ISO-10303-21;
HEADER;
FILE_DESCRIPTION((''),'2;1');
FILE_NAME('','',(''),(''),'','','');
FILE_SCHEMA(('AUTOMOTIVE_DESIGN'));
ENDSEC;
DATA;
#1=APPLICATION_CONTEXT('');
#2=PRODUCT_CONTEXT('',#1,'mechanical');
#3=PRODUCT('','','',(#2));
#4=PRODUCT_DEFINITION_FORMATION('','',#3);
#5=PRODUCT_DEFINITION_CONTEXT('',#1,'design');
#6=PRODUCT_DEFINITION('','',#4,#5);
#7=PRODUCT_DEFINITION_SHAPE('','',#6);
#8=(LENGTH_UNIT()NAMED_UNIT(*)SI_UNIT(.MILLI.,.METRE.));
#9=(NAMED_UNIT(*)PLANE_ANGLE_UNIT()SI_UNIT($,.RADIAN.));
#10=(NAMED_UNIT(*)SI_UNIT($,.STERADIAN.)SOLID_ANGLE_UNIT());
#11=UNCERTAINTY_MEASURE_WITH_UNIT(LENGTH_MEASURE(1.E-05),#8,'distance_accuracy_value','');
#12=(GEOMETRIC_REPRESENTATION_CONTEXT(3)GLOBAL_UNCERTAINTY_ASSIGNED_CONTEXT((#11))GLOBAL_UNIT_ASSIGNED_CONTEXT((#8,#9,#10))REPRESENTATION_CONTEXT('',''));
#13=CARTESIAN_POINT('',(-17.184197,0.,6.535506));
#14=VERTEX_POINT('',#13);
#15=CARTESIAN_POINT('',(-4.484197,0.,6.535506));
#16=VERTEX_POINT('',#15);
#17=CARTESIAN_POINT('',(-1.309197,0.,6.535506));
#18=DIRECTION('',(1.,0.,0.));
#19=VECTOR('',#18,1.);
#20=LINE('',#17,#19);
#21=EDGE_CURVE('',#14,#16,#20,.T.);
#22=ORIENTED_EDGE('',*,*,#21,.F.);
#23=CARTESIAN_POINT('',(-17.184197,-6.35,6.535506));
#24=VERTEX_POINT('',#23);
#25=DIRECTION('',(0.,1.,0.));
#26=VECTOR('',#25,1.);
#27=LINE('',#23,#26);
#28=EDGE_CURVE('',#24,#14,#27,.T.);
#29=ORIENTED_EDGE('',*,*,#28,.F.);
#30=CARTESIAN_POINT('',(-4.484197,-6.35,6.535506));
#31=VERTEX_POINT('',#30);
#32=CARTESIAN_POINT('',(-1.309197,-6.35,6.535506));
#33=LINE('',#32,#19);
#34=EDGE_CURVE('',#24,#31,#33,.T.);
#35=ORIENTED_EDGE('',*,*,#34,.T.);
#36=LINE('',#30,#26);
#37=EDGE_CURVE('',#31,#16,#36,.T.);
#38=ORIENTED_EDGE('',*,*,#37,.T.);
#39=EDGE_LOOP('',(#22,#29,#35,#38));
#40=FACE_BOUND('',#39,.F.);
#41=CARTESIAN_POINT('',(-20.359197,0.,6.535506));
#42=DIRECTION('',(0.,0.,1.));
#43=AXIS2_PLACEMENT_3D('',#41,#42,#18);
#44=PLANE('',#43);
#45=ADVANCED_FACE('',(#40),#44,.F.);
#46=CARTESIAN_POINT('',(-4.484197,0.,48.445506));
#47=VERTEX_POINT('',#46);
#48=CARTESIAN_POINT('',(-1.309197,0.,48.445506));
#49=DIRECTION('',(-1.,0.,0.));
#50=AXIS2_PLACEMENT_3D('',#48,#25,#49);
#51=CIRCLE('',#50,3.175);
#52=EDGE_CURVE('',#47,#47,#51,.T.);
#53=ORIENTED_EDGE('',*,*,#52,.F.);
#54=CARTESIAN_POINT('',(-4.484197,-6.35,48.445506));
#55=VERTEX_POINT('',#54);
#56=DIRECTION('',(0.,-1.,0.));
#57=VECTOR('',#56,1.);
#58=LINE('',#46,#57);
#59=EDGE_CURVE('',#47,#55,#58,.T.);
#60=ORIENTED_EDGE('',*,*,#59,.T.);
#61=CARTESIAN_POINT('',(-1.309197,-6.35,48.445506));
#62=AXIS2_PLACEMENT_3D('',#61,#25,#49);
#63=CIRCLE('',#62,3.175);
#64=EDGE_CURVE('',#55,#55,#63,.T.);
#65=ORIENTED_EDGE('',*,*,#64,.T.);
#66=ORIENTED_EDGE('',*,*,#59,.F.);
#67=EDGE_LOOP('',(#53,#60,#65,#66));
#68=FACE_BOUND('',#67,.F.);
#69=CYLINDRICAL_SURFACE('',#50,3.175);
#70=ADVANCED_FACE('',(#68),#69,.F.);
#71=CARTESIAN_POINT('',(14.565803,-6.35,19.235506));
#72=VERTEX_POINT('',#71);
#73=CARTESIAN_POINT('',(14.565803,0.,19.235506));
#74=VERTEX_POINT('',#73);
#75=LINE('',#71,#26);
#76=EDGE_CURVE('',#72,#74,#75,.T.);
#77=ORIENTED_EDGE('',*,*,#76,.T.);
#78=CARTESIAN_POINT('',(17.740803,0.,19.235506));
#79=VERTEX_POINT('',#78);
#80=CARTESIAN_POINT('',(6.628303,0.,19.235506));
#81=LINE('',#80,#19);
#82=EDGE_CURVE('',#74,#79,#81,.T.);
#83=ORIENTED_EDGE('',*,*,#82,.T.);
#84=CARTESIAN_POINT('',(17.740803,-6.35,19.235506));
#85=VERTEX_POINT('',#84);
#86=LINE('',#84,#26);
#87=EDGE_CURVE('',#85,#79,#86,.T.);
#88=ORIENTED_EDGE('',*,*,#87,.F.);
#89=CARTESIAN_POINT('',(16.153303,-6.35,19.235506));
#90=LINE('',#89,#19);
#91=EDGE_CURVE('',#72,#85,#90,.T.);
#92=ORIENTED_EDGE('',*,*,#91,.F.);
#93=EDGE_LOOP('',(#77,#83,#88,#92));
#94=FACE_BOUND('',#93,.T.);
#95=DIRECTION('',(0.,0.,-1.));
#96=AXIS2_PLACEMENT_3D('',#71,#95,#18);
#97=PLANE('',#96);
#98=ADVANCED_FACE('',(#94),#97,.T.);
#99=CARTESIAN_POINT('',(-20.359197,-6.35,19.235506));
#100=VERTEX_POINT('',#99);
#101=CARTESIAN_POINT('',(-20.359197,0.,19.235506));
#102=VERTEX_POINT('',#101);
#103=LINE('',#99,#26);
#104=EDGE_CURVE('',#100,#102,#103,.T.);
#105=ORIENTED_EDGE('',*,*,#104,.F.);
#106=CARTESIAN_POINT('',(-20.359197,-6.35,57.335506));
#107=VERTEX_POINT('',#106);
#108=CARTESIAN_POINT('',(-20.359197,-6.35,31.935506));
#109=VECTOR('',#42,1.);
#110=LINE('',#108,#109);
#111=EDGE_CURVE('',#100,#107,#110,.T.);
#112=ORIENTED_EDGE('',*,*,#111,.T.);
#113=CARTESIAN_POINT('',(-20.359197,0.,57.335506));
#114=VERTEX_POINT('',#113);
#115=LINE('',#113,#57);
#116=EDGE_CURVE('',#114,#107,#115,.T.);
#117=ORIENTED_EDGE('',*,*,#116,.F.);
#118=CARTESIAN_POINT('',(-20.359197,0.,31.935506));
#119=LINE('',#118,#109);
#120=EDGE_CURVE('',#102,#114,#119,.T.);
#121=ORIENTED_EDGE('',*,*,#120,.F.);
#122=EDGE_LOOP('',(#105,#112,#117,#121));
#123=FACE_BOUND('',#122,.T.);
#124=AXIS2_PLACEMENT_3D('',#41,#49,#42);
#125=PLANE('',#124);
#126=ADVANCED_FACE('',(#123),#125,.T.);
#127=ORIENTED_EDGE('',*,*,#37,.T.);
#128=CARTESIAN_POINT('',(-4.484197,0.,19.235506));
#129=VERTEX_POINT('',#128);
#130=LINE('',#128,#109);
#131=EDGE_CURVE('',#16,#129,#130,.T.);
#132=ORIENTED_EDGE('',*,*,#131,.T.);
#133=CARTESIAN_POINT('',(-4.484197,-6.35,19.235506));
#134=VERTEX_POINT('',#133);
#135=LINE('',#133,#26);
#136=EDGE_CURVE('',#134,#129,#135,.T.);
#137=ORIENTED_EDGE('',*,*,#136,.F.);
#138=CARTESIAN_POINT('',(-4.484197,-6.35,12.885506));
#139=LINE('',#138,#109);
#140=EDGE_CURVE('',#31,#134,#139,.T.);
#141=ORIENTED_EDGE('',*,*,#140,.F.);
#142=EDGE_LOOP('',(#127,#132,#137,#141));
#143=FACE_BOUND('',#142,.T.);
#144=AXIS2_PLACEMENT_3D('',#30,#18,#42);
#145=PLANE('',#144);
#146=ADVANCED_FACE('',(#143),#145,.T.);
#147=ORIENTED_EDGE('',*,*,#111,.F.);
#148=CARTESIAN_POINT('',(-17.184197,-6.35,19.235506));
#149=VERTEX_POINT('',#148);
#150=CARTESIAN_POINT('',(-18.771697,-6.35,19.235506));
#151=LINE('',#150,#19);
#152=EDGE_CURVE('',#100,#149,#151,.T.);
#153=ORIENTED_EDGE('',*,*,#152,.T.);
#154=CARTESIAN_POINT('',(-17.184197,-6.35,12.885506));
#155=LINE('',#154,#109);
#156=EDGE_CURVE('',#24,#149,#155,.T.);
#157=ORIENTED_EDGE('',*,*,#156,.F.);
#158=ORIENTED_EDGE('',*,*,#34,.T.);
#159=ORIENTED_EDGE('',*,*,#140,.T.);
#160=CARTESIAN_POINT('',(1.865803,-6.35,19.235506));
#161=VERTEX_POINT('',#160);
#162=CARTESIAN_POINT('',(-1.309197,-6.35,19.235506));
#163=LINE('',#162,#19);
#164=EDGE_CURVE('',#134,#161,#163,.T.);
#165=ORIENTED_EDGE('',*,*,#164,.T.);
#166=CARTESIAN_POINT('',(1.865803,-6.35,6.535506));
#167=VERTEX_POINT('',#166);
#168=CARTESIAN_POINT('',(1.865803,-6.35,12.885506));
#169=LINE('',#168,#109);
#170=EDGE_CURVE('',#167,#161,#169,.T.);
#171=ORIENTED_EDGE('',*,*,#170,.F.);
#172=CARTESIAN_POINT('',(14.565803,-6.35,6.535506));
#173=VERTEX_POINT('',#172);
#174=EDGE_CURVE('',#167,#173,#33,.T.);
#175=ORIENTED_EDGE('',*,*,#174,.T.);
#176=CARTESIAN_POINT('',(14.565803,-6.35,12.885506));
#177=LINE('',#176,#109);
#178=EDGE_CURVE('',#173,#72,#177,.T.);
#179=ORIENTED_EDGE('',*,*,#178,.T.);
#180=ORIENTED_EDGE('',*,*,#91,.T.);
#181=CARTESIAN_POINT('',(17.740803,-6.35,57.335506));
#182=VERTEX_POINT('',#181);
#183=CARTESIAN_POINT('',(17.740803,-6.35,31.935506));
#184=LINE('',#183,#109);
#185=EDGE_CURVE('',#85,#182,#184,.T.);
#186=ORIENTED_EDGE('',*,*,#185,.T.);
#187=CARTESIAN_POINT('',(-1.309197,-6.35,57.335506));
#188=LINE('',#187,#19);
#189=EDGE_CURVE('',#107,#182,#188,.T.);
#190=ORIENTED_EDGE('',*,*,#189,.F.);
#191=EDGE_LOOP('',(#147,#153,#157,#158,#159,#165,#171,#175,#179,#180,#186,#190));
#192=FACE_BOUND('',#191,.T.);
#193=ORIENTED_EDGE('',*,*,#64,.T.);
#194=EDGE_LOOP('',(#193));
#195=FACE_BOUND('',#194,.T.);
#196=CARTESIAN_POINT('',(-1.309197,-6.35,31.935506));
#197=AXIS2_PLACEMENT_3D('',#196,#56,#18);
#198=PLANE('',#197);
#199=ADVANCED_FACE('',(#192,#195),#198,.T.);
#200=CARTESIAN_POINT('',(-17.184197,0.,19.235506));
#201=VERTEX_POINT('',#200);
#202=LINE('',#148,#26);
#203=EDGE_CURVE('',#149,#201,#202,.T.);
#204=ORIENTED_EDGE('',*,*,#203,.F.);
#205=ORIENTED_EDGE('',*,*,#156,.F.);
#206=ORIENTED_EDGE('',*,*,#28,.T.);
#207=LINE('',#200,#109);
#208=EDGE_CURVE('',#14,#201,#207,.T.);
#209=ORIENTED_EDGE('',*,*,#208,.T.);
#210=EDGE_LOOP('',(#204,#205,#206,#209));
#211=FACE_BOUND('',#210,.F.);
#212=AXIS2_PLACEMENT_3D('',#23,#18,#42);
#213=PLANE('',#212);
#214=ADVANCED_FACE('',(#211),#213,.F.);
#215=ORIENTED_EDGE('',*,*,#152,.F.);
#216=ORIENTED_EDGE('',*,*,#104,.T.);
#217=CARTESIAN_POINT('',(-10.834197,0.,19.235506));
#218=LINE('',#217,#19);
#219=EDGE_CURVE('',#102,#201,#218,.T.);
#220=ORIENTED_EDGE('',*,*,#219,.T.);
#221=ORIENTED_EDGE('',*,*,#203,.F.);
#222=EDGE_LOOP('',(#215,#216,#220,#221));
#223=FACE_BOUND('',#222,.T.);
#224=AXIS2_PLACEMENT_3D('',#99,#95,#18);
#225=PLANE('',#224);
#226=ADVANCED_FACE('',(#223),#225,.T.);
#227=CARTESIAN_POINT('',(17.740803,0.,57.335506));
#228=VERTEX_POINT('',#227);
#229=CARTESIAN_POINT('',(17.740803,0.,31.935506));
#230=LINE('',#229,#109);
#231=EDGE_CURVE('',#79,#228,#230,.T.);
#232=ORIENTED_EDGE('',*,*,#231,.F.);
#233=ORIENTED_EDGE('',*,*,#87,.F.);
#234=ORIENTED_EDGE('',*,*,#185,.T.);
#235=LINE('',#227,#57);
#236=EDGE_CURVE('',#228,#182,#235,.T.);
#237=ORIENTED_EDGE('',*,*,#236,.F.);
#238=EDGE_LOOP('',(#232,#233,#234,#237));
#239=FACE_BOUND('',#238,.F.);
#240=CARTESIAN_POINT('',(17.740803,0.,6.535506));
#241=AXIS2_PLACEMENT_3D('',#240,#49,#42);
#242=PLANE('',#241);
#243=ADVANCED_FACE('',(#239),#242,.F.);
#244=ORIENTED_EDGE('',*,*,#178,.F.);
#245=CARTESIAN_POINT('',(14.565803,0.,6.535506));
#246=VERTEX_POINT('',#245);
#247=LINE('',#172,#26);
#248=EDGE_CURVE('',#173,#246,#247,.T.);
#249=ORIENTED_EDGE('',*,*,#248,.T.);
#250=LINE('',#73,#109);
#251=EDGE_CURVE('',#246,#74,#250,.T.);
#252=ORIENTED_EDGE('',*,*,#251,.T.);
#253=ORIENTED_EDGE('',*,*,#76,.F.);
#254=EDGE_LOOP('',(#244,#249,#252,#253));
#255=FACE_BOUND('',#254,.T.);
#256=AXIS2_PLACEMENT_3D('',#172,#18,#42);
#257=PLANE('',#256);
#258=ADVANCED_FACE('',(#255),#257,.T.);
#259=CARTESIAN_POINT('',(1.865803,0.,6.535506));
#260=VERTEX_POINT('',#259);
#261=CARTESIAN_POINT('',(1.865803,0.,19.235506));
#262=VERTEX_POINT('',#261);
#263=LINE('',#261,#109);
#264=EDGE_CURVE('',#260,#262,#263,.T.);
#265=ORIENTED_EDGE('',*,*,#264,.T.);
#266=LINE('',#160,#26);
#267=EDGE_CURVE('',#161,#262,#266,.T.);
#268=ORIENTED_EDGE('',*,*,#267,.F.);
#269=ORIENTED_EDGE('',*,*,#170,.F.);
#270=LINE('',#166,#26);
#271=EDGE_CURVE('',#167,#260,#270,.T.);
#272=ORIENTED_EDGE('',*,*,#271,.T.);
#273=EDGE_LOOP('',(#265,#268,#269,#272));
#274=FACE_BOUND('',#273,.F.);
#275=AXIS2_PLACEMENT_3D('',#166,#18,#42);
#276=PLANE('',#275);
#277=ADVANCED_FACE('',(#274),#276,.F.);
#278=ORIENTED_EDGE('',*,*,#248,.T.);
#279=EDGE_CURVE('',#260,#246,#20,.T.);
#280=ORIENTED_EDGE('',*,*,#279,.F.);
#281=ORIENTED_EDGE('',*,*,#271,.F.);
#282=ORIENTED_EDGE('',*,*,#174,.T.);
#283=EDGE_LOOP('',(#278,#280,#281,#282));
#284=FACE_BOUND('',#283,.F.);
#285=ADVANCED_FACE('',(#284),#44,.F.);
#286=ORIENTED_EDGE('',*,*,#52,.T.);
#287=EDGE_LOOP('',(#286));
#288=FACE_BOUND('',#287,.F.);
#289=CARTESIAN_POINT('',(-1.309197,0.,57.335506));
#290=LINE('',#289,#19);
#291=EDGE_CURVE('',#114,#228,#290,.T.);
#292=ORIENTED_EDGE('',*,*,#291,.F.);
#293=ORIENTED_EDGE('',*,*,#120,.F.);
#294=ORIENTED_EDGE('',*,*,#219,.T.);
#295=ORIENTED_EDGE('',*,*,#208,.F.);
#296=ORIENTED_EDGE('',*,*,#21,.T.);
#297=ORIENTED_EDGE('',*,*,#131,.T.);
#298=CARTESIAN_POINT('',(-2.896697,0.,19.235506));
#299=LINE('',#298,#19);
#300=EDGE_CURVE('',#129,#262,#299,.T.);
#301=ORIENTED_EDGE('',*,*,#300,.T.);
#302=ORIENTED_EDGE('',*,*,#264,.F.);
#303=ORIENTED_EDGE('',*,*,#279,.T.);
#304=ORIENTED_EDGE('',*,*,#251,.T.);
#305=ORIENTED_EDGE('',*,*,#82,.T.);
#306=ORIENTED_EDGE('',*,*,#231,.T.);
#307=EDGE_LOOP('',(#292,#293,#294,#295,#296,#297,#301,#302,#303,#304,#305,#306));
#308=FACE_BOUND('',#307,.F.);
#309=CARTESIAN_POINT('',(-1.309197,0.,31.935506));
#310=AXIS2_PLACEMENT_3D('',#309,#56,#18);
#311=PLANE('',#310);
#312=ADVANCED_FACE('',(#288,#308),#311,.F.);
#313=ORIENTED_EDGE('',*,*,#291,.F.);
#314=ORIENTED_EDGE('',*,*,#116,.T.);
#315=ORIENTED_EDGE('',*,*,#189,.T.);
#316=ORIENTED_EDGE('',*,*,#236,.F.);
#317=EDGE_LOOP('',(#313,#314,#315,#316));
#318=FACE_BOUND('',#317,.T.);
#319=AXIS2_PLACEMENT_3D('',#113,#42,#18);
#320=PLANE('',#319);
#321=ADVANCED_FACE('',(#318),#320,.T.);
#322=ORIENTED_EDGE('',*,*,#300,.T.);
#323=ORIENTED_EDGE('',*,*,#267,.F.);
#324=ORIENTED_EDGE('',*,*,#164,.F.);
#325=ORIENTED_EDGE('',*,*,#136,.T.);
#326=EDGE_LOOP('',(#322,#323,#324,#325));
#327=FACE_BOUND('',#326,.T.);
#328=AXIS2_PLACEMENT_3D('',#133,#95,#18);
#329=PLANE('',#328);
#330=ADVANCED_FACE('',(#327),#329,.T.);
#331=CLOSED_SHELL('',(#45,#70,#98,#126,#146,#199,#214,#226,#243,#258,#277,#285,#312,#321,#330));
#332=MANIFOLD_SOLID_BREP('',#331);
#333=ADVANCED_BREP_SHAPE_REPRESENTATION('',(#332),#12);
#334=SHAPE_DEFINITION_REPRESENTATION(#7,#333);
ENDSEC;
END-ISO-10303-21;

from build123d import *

# Parameters (mm, degrees)
F0_W     = 38.1
F0_H     = 50.8
F1_DEPTH = 6.35
F2_R     = 3.175
F3_DEPTH = 6.351
F4_W     = 3.175
F4_H     = 12.7
F5_DEPTH = 6.351
F6_W     = 6.35
F6_H     = 12.7
F7_DEPTH = 6.351


with BuildPart() as f1:
    # F0 (on Front) → F1 (new body)
    with BuildSketch(Plane.XZ):
        with Locations((-1.309197, 31.935506)):
            Rectangle(F0_W, F0_H)
    extrude(amount=F1_DEPTH)

    # F2 (on face) → F3 (cut, through all)
    with BuildSketch(Plane(origin=(0, 0, 0), x_dir=(-1, 0, 0), z_dir=(0, 1, 0))):
        with Locations((1.309197, 48.445506)):
            Circle(F2_R)
    extrude(amount=-F3_DEPTH, mode=Mode.SUBTRACT)

    # F4 (on face) → F5 (cut, through all)
    with BuildSketch(Plane.XZ.offset(6.35)):
        with Locations((-18.771697, 12.885506)):
            Rectangle(F4_W, F4_H)
        with Locations((16.153303, 12.885506)):
            Rectangle(F4_W, F4_H)
    extrude(amount=-F5_DEPTH, mode=Mode.SUBTRACT)

    # F6 (on face) → F7 (cut, through all)
    with BuildSketch(Plane.XZ.offset(6.35)):
        with Locations((-1.309197, 12.885506)):
            Rectangle(F6_W, F6_H)
    extrude(amount=-F7_DEPTH, mode=Mode.SUBTRACT)


solid = f1.part
